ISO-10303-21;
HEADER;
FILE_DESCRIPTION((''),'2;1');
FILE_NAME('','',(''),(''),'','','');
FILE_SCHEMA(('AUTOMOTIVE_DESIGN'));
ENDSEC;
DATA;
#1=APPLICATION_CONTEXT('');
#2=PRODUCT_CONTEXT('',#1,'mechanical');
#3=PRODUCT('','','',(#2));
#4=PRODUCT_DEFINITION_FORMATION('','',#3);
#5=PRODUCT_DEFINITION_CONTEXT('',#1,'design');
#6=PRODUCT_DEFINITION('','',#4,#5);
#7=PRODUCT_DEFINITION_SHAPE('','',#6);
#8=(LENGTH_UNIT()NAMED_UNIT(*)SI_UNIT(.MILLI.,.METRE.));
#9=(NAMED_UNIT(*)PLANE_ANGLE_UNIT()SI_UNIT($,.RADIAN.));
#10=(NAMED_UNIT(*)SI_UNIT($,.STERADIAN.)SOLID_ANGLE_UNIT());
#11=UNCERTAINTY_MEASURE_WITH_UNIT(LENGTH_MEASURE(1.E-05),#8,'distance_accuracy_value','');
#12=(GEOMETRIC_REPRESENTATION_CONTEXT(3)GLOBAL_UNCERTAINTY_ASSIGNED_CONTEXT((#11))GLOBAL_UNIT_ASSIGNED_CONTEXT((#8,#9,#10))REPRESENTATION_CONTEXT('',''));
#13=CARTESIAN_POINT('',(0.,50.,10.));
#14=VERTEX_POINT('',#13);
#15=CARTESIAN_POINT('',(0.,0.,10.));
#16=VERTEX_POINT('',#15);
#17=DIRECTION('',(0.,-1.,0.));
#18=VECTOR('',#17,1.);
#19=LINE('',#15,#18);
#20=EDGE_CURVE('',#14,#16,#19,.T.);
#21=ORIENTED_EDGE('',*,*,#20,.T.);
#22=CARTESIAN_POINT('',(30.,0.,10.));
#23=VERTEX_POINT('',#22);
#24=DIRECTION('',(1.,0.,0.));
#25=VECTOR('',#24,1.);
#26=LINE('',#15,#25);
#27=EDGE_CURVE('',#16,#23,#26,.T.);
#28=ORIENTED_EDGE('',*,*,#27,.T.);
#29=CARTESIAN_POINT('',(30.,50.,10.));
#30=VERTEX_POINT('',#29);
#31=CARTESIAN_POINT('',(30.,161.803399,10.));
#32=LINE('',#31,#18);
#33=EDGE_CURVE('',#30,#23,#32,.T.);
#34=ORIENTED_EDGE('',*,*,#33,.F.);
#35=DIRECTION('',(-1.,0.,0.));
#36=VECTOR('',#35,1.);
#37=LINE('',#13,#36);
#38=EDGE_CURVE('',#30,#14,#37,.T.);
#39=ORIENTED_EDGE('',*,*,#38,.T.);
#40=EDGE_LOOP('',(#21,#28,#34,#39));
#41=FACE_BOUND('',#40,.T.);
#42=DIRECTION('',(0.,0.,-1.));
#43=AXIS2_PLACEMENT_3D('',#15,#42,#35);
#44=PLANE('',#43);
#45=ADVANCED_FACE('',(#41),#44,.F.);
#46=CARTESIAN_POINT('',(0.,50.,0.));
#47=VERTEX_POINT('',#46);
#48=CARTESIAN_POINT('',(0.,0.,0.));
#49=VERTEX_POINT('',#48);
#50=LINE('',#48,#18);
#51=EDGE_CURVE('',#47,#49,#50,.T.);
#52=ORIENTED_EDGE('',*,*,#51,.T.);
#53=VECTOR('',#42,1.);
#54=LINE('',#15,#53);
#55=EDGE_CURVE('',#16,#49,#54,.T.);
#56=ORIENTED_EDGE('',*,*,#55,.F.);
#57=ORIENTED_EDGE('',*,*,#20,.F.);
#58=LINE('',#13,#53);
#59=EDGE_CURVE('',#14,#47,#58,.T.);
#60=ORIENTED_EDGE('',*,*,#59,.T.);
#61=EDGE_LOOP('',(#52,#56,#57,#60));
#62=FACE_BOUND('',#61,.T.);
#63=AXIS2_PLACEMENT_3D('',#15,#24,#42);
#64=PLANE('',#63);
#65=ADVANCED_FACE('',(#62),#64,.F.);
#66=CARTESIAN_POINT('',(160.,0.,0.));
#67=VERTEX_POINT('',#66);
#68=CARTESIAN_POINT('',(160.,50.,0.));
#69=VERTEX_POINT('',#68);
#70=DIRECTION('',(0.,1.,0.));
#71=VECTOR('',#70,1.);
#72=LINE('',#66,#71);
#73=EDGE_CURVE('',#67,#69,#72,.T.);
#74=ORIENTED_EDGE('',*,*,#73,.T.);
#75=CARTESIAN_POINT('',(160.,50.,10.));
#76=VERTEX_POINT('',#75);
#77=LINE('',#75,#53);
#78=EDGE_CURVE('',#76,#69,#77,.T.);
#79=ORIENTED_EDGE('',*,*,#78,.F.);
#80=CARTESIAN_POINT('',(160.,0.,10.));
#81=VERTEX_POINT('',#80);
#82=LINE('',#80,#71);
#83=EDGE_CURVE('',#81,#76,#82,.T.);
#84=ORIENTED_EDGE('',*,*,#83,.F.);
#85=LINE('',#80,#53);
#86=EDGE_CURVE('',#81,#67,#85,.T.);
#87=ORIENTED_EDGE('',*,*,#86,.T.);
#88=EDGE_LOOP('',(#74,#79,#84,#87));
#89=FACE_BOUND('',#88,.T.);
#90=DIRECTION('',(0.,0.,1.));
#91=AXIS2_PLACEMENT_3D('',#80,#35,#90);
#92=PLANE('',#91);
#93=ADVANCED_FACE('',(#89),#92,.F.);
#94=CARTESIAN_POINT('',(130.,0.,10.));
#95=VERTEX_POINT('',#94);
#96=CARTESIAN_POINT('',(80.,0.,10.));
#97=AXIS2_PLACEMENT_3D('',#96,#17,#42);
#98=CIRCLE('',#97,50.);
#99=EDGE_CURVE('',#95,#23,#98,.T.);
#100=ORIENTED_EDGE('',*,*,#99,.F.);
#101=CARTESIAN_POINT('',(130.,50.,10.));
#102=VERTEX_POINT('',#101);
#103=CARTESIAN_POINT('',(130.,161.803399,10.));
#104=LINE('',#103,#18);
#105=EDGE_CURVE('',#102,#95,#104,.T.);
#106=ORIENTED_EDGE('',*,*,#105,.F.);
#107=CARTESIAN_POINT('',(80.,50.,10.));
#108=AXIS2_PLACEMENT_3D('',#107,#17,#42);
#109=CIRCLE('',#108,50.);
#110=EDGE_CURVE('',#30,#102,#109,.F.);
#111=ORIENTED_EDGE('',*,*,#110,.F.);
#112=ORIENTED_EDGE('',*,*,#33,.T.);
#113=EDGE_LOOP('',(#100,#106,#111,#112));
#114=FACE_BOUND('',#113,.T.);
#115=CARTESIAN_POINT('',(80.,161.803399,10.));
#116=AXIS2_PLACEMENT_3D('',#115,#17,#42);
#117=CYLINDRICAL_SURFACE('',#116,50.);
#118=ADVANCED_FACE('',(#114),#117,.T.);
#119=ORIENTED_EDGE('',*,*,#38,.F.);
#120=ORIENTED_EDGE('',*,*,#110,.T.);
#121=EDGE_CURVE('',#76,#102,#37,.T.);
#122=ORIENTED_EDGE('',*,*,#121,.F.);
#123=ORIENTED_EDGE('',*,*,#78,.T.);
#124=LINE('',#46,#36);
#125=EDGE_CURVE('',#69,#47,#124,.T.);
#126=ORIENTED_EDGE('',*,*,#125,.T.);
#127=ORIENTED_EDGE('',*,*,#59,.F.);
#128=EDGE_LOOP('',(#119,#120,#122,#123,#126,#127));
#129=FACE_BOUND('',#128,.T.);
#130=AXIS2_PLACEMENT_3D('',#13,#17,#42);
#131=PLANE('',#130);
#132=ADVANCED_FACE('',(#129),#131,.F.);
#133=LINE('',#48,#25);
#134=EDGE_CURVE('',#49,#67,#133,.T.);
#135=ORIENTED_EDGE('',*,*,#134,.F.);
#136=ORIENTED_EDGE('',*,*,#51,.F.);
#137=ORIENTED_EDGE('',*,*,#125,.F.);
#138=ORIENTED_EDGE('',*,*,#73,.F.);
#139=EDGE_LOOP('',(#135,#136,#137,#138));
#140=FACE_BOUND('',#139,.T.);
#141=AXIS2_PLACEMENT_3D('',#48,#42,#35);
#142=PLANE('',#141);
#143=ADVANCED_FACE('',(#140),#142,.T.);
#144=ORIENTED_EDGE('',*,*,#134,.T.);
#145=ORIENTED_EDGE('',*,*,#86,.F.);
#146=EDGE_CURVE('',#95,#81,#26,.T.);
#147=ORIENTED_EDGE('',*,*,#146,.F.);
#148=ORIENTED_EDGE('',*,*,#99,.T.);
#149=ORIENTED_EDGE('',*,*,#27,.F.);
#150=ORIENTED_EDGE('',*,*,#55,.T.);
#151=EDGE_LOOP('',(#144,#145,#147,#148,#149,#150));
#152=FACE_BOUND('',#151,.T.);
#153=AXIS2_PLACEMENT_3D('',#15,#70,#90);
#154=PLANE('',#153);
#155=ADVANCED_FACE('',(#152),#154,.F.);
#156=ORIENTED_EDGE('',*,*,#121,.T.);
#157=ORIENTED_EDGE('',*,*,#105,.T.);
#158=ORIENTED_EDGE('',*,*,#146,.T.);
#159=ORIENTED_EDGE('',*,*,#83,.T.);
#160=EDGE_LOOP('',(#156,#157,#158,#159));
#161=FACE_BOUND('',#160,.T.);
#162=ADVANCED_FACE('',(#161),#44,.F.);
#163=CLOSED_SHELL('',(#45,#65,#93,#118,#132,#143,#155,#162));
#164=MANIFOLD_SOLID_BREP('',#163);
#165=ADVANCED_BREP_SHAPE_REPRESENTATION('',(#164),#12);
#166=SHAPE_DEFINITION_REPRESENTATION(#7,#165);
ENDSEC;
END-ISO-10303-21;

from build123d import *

# Parameters (mm, degrees)
CROQUIS1_W              = 160
CROQUIS1_H              = 50
SALIENTE_EXTRUIR1_DEPTH = 10
SALIENTE_EXTRUIR2_DEPTH = 50


with BuildPart() as part:
    # Croquis1 → Saliente-Extruir1 (new body)
    with BuildSketch(Plane.XY):
        with Locations((80, 25)):
            Rectangle(CROQUIS1_W, CROQUIS1_H)
    extrude(amount=SALIENTE_EXTRUIR1_DEPTH)

    # Croquis3 → Saliente-Extruir2 (add)
    with BuildSketch(Plane.XZ):
        with BuildLine():
            Line((30, 10), (130, 10))
            ThreePointArc((130, 10), (80, 60), (30, 10))
        make_face()
    extrude(amount=-SALIENTE_EXTRUIR2_DEPTH)


solid = part.part
